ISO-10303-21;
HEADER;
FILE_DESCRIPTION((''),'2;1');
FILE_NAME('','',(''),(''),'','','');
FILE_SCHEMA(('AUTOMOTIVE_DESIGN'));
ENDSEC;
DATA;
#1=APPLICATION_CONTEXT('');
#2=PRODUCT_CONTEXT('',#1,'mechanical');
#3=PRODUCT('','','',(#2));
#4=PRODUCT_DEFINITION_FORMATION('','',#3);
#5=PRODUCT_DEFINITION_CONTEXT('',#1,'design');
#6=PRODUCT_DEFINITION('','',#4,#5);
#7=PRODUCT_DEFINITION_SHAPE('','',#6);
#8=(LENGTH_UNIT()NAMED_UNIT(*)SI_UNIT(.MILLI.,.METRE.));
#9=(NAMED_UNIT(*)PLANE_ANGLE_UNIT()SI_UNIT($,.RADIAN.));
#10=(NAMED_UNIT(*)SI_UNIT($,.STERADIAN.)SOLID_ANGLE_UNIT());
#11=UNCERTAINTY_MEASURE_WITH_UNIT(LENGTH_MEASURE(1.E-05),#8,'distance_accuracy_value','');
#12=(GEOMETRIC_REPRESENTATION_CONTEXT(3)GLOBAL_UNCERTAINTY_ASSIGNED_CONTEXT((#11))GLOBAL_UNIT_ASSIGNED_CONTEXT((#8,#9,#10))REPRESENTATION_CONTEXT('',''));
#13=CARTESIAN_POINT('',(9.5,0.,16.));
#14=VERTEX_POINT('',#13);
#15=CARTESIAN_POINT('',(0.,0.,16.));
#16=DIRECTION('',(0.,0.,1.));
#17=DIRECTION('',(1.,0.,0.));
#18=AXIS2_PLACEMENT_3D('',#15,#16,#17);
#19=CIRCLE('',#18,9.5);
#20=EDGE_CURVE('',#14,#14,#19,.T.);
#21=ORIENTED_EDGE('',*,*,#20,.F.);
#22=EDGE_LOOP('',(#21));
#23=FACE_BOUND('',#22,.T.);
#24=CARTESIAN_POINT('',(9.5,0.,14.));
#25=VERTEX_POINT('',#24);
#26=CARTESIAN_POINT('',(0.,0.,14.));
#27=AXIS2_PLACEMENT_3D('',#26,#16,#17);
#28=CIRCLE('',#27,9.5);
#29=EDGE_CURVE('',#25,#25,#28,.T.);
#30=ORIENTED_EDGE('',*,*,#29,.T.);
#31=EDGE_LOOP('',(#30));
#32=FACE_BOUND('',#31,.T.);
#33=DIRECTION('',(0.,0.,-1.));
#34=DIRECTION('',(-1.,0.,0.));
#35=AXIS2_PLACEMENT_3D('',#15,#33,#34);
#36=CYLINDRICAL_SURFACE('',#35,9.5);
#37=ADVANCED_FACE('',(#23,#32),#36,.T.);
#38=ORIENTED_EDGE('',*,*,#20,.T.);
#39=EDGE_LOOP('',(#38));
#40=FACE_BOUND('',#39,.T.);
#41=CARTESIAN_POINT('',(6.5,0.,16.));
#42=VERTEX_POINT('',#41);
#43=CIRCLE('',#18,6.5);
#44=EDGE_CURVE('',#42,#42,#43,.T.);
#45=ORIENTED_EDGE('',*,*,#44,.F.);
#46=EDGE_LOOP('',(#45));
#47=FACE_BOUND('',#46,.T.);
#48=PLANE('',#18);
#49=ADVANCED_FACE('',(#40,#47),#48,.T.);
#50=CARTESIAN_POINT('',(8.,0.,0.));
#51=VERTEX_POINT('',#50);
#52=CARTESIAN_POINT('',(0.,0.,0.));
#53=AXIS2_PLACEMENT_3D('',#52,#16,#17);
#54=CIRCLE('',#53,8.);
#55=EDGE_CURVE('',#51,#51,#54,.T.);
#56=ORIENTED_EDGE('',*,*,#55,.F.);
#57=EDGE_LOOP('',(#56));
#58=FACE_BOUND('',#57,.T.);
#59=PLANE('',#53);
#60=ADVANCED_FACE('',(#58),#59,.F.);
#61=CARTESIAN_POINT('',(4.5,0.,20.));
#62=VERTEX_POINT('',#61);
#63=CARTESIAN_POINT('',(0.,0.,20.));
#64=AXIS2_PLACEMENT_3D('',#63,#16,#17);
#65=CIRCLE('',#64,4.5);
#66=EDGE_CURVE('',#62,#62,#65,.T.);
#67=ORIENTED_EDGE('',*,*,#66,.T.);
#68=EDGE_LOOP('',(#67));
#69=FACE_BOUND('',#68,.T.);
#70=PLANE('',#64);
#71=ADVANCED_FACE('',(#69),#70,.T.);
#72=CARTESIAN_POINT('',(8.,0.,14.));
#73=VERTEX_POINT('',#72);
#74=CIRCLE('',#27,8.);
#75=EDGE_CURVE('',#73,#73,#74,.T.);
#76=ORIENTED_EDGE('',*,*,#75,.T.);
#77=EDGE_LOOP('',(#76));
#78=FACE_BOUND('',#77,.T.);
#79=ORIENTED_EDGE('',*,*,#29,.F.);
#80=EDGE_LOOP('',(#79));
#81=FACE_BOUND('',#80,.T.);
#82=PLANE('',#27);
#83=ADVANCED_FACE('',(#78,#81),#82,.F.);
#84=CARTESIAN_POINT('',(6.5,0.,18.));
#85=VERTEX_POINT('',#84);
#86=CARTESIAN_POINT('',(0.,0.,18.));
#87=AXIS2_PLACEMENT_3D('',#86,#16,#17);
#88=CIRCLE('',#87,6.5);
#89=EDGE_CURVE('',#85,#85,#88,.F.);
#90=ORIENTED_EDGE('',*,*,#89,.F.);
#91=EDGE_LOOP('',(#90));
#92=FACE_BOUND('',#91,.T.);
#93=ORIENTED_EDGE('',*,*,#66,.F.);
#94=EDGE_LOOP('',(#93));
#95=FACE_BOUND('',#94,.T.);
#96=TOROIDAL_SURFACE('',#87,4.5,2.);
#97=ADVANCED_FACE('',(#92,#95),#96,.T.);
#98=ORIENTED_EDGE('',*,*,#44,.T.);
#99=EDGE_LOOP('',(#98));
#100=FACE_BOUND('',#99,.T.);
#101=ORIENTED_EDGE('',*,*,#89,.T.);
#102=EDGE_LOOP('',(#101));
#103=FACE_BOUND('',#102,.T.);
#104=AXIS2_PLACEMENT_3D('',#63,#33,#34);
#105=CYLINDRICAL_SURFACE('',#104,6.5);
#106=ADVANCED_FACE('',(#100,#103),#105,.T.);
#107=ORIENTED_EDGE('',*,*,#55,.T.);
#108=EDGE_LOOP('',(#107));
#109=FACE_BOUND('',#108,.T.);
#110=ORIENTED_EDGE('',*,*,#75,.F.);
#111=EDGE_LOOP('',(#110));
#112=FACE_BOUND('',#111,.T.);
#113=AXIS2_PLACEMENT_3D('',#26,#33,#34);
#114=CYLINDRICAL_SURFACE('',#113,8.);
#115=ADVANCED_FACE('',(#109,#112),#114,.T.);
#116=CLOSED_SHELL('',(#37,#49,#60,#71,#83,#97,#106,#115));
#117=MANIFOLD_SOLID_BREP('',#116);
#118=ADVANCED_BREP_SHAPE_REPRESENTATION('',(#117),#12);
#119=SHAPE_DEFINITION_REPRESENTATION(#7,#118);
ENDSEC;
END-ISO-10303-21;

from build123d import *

# Parameters (mm, degrees)
SKETCH1_R           = 8
BOSS_EXTRUDE1_DEPTH = 14
SKETCH2_R           = 9.5
BOSS_EXTRUDE2_DEPTH = 2
SKETCH3_R           = 6.5
BOSS_EXTRUDE3_DEPTH = 4
FILLET1_R           = 2


with BuildPart() as part:
    # Sketch1 → Boss-Extrude1 (new body)
    with BuildSketch(Plane.XY):
        Circle(SKETCH1_R)
    extrude(amount=BOSS_EXTRUDE1_DEPTH)

    # Sketch2 → Boss-Extrude2 (add)
    with BuildSketch(Plane.XY.offset(14)):
        Circle(SKETCH2_R)
    extrude(amount=BOSS_EXTRUDE2_DEPTH)

    # Sketch3 → Boss-Extrude3 (add)
    with BuildSketch(Plane.XY.offset(16)):
        Circle(SKETCH3_R)
    extrude(amount=BOSS_EXTRUDE3_DEPTH)

    # Fillet1
    fillet1_edges = [part.edges().sort_by_distance(p)[0] for p in [
        (-6.5, 0, 20),
    ]]
    fillet(fillet1_edges, radius=FILLET1_R)


solid = part.part
